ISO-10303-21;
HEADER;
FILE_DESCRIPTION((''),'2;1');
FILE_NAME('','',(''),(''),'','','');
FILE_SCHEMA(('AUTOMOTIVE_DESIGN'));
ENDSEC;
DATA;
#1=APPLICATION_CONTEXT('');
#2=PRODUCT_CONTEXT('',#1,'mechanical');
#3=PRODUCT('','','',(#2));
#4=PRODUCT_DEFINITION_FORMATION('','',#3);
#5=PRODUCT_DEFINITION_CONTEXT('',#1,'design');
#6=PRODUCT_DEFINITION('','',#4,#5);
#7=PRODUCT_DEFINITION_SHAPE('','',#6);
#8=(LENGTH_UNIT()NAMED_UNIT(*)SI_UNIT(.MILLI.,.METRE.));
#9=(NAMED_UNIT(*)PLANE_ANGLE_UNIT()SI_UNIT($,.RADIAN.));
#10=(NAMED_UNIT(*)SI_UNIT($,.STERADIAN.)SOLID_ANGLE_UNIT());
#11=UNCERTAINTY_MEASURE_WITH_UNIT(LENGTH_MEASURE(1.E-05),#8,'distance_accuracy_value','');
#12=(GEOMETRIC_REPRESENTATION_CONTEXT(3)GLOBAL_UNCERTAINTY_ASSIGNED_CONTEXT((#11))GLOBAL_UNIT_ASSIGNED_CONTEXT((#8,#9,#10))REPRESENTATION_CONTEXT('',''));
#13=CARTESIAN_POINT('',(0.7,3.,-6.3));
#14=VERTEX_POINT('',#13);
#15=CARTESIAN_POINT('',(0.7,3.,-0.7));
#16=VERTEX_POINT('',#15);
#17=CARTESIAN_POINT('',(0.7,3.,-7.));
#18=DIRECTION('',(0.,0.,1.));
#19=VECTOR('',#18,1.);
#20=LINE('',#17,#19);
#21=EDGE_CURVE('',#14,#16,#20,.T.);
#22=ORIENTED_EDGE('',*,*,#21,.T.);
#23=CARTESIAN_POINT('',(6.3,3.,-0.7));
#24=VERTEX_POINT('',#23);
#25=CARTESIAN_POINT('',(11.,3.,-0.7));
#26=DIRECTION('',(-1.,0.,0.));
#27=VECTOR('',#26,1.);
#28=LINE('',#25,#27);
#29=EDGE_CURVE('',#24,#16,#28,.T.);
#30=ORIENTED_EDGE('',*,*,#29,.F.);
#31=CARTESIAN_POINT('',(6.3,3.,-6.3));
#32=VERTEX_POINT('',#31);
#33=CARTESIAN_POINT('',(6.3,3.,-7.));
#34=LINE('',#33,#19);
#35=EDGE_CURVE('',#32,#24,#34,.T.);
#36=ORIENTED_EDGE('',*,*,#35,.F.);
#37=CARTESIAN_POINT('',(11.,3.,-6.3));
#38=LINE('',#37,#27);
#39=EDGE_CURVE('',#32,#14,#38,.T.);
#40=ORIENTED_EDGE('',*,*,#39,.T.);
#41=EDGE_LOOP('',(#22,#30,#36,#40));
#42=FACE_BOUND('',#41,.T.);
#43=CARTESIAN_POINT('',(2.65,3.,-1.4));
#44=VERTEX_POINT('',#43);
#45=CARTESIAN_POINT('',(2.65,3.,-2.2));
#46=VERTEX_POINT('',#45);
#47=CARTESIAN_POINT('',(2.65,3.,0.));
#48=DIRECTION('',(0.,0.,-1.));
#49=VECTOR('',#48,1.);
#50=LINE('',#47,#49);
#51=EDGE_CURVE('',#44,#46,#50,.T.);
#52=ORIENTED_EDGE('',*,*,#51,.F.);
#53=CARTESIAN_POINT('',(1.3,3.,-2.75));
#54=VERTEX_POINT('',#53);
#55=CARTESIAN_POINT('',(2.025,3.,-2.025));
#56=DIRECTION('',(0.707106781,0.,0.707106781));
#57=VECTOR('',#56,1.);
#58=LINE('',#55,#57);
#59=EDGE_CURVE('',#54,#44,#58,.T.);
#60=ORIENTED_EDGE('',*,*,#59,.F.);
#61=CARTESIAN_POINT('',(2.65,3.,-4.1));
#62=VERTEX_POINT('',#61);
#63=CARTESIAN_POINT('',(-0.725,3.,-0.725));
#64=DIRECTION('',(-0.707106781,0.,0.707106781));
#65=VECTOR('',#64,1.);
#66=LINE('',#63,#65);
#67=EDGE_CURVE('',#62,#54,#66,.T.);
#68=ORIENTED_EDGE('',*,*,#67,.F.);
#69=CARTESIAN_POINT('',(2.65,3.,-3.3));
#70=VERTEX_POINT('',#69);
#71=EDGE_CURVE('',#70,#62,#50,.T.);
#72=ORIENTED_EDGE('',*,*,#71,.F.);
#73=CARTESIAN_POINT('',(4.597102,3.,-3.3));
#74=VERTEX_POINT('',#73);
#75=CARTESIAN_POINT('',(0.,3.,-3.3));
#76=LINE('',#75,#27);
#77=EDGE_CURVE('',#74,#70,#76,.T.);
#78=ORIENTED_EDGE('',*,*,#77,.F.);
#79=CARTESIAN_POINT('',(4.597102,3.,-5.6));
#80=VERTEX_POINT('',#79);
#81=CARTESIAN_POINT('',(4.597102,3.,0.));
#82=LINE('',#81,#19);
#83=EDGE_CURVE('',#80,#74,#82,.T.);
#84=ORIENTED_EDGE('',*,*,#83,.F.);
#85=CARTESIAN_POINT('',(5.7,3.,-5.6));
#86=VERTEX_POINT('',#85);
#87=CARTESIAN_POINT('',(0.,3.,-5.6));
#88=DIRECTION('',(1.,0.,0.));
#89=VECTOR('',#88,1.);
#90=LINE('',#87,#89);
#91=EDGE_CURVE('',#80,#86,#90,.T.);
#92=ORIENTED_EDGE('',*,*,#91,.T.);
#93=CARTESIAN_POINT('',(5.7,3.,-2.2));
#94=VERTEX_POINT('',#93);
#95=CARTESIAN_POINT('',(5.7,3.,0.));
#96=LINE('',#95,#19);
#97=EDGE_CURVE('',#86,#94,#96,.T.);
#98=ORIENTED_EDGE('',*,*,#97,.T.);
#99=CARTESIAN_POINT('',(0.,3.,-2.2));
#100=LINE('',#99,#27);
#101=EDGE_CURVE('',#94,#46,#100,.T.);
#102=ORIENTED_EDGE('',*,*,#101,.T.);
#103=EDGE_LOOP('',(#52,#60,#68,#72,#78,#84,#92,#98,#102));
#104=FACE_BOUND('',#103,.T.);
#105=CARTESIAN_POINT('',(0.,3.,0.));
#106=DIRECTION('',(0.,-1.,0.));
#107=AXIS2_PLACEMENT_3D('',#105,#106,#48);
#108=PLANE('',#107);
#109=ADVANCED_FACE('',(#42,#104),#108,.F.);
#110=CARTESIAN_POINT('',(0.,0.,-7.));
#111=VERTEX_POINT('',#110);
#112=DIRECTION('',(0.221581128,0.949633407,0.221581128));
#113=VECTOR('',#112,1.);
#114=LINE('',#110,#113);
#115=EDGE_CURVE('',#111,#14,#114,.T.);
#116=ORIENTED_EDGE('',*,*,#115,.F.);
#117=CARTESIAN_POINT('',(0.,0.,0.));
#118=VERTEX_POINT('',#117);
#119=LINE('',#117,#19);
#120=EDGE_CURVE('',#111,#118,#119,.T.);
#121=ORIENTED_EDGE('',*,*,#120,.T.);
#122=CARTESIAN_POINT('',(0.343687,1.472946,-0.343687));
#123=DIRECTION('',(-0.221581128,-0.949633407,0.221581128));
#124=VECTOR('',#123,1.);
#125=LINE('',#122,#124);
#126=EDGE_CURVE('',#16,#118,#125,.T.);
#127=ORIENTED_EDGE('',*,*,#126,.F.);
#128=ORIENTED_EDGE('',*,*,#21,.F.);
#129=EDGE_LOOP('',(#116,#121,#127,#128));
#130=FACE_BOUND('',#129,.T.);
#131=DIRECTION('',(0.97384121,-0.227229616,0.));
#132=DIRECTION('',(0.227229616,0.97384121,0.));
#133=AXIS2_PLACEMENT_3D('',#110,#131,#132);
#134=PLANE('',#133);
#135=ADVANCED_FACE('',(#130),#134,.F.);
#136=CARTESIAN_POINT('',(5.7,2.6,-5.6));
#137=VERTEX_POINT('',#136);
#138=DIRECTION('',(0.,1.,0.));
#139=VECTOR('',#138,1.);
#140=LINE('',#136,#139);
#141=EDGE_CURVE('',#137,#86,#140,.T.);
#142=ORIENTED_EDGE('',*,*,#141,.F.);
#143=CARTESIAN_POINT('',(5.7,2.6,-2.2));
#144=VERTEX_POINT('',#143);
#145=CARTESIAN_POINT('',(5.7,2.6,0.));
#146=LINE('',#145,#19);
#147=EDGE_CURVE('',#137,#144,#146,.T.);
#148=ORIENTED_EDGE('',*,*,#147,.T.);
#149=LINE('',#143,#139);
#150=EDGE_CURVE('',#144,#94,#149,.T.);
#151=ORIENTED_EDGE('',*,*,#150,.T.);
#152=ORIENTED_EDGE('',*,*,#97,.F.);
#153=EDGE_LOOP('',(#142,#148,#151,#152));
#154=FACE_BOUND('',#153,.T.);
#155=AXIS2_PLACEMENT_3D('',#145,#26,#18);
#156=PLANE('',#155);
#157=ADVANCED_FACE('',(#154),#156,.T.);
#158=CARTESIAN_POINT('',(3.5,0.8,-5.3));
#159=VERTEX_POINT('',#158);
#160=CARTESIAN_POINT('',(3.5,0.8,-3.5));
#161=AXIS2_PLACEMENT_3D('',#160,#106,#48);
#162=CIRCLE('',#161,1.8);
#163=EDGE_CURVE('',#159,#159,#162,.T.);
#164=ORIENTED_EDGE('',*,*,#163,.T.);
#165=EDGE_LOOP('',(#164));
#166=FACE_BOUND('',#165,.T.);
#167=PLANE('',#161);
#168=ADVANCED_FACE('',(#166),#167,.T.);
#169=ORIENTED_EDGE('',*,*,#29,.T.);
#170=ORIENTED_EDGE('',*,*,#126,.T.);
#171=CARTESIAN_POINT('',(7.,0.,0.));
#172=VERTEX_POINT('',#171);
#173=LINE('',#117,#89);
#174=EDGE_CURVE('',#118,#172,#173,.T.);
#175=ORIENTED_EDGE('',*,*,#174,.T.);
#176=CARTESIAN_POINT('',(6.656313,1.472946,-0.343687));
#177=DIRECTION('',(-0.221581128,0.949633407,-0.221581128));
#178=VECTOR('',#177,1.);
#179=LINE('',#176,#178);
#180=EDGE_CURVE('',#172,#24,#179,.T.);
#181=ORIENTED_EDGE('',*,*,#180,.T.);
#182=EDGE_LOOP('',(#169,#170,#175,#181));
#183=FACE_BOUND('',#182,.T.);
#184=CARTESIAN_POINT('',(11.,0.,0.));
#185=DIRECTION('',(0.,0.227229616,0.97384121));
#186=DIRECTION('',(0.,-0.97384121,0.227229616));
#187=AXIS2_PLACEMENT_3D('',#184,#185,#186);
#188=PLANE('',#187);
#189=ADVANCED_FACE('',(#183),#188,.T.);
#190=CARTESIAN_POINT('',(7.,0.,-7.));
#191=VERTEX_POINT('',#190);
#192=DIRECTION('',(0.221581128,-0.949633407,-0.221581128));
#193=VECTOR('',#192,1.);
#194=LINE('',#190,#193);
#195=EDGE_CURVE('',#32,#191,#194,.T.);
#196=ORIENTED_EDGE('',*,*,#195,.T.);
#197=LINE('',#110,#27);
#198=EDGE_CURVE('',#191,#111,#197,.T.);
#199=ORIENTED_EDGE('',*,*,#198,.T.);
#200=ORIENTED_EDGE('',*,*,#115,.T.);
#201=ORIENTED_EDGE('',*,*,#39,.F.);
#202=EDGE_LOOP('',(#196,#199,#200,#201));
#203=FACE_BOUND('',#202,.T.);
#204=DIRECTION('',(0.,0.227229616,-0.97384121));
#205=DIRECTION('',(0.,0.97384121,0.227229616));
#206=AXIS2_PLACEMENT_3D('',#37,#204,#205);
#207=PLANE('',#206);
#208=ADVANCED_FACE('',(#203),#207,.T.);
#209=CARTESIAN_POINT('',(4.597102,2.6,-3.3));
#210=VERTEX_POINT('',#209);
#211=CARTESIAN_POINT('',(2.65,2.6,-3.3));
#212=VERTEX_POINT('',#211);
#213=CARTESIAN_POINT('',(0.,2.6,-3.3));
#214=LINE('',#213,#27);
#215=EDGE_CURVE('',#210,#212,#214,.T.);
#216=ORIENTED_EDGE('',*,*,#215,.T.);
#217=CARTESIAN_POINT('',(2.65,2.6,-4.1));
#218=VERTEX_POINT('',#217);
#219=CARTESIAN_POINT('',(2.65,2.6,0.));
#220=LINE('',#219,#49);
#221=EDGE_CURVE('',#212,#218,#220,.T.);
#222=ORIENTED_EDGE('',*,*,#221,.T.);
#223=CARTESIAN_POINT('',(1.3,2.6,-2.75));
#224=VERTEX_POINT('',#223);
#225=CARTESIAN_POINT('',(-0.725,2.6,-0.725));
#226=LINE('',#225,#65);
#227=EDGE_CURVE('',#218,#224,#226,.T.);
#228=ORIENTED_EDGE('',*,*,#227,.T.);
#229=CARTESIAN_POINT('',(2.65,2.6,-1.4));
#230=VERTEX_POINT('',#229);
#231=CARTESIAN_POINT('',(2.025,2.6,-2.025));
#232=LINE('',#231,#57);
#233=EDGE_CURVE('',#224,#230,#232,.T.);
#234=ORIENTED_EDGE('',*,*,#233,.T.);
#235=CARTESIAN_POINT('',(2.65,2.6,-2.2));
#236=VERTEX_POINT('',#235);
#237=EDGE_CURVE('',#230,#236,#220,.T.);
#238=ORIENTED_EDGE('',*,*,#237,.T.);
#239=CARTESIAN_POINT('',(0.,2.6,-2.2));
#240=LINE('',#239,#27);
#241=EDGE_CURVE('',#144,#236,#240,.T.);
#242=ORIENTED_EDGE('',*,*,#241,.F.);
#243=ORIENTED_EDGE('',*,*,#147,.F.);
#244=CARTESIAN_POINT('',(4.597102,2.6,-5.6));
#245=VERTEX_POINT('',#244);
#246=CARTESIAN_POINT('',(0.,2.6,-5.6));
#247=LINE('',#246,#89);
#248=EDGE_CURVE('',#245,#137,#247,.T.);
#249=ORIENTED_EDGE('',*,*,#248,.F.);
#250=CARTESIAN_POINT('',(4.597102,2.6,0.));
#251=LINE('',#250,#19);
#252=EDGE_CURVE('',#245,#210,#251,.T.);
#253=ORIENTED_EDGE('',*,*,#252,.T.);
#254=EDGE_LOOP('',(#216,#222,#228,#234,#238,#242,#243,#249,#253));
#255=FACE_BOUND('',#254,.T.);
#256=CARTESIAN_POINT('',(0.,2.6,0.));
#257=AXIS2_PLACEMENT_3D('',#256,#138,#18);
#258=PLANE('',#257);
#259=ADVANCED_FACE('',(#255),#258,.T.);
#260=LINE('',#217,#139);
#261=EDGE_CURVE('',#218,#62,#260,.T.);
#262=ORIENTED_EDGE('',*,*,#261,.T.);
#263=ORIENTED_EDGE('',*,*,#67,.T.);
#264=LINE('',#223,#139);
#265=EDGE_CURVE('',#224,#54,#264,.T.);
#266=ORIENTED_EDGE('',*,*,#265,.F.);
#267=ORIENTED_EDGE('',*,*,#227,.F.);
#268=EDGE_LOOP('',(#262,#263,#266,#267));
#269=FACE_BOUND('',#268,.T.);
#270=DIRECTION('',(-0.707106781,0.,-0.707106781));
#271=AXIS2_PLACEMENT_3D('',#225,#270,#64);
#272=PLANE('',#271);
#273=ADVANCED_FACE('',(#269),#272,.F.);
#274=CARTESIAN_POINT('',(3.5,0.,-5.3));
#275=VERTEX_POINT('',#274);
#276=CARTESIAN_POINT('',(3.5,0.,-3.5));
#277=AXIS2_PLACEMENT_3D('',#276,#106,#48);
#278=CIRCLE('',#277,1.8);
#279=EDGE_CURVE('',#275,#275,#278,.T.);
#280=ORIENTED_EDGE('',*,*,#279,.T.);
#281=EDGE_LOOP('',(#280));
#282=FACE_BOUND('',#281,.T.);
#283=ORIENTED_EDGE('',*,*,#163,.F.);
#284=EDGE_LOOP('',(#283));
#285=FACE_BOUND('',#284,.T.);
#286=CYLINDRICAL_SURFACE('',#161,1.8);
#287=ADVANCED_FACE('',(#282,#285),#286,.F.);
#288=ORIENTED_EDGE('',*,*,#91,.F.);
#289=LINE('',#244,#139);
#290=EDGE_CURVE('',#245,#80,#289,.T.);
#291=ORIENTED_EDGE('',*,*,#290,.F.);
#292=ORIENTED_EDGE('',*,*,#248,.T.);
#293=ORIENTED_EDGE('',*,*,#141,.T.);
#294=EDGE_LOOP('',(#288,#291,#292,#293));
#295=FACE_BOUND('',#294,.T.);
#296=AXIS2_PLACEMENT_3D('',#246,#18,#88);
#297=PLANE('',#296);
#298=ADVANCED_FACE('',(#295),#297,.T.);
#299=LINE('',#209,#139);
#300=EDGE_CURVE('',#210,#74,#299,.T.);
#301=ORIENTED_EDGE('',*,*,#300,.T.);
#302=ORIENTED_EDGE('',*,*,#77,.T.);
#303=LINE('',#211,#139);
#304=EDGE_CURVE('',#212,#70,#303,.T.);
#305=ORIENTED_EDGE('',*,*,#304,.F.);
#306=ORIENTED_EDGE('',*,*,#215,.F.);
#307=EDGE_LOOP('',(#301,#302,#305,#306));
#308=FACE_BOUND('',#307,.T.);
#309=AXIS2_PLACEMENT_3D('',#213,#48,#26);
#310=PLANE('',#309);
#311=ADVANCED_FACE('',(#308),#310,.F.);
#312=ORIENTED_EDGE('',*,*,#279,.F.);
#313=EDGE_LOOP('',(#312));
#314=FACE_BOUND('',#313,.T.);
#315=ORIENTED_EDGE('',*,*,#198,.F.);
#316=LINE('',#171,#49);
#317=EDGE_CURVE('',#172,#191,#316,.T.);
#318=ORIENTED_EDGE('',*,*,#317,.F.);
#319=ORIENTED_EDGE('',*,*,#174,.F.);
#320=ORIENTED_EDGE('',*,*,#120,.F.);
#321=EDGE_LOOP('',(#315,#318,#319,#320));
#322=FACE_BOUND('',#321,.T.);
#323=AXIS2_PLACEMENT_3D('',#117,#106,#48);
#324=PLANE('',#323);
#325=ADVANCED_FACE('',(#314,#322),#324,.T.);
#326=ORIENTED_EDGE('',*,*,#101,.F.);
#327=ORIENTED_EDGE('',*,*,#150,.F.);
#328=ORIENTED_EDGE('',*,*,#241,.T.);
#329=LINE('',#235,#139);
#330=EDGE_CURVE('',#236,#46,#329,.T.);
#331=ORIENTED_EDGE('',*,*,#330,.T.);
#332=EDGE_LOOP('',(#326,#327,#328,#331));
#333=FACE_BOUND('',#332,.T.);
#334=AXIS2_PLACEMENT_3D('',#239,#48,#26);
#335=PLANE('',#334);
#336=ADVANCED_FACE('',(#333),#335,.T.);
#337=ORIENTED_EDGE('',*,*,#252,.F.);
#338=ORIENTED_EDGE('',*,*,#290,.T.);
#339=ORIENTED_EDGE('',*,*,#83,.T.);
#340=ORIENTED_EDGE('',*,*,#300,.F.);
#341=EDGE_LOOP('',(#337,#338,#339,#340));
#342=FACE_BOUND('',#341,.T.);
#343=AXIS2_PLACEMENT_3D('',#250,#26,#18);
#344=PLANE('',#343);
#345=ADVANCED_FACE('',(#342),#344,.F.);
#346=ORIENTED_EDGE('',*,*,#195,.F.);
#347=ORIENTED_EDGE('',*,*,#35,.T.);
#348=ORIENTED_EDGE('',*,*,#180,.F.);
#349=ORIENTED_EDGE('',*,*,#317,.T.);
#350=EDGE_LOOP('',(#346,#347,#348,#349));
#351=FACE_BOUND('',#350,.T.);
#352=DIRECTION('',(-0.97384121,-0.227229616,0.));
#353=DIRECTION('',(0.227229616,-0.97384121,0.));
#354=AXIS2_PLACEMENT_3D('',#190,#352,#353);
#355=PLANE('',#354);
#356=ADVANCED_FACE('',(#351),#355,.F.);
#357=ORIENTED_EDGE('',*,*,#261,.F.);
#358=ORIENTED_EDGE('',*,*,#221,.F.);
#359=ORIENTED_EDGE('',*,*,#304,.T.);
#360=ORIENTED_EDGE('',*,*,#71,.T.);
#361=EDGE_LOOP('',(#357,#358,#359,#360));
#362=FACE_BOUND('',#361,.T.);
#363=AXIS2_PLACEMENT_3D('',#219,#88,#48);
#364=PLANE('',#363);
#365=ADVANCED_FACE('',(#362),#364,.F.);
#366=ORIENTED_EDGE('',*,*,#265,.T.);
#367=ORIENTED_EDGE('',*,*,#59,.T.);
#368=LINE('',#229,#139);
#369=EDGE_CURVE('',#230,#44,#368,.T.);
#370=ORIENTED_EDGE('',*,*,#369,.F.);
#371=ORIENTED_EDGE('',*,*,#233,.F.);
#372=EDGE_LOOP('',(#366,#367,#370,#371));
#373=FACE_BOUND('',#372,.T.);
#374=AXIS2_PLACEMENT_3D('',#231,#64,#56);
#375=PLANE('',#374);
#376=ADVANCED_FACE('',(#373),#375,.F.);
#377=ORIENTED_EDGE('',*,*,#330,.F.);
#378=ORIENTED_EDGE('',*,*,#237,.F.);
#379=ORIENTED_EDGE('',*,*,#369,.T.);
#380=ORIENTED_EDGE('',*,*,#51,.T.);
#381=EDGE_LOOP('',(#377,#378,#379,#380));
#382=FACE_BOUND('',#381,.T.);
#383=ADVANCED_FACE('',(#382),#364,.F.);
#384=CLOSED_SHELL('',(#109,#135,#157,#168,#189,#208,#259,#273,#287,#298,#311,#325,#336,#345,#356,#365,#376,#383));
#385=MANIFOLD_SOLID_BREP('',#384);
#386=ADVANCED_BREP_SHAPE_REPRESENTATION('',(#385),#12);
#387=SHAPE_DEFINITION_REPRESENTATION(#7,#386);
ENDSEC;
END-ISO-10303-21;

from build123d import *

# Parameters (mm, degrees)
SKETCH1_W           = 7
SKETCH1_H           = 7
BOSS_EXTRUDE1_DEPTH = 3
CUT_EXTRUDE1_DEPTH  = 7
CUT_EXTRUDE2_DEPTH  = 11
SKETCH4_R           = 1.8
CUT_EXTRUDE3_DEPTH  = 0.8
SKETCH5_W           = 1.947102418
SKETCH5_H           = 1.1
SKETCH5_W_2         = 1.102897582
SKETCH5_H_2         = 3.4
CUT_EXTRUDE4_DEPTH  = 0.4


with BuildPart() as part:
    # Sketch1 → Boss-Extrude1 (new body)
    with BuildSketch(Plane(origin=(0, 0, 0), x_dir=(1, 0, 0), z_dir=(0, 1, 0))):
        with Locations((3.5, 3.5)):
            Rectangle(SKETCH1_W, SKETCH1_H)
    extrude(amount=BOSS_EXTRUDE1_DEPTH)

    # Sketch2 → Cut-Extrude1 (cut)
    with BuildSketch(Plane.XY):
        Polygon((0, 0), (0.7, 3), (0, 3), align=None)
        Polygon((7, 0), (6.3, 3), (7, 3), align=None)
    extrude(amount=-CUT_EXTRUDE1_DEPTH, mode=Mode.SUBTRACT)

    # Sketch3 → Cut-Extrude2 (cut)
    with BuildSketch(Plane(origin=(0, 0, 0), x_dir=(0, 0, -1), z_dir=(1, 0, 0))):
        Polygon((0, 0), (0.7, 3), (0, 3), align=None)
        Polygon((7, 3), (6.3, 3), (7, 0), align=None)
    extrude(amount=CUT_EXTRUDE2_DEPTH, mode=Mode.SUBTRACT)

    # Sketch4 → Cut-Extrude3 (cut)
    with BuildSketch(Plane.XZ):
        with Locations(Location((3.5, -3.5, 0), (0, 0, 270))):
            Circle(SKETCH4_R)
    extrude(amount=-CUT_EXTRUDE3_DEPTH, mode=Mode.SUBTRACT)

    # Sketch5 → Cut-Extrude4 (cut)
    with BuildSketch(Plane(origin=(0, 3, 0), x_dir=(1, 0, 0), z_dir=(0, 1, 0))):
        Polygon((1.3, 2.75), (2.65, 1.4), (2.65, 2.2), (2.65, 3.3), (2.65, 4.1), align=None)
        with Locations((3.623551209, 2.75)):
            Rectangle(SKETCH5_W, SKETCH5_H)
        with Locations((5.148551209, 3.9)):
            Rectangle(SKETCH5_W_2, SKETCH5_H_2)
    extrude(amount=-CUT_EXTRUDE4_DEPTH, mode=Mode.SUBTRACT)


solid = part.part
